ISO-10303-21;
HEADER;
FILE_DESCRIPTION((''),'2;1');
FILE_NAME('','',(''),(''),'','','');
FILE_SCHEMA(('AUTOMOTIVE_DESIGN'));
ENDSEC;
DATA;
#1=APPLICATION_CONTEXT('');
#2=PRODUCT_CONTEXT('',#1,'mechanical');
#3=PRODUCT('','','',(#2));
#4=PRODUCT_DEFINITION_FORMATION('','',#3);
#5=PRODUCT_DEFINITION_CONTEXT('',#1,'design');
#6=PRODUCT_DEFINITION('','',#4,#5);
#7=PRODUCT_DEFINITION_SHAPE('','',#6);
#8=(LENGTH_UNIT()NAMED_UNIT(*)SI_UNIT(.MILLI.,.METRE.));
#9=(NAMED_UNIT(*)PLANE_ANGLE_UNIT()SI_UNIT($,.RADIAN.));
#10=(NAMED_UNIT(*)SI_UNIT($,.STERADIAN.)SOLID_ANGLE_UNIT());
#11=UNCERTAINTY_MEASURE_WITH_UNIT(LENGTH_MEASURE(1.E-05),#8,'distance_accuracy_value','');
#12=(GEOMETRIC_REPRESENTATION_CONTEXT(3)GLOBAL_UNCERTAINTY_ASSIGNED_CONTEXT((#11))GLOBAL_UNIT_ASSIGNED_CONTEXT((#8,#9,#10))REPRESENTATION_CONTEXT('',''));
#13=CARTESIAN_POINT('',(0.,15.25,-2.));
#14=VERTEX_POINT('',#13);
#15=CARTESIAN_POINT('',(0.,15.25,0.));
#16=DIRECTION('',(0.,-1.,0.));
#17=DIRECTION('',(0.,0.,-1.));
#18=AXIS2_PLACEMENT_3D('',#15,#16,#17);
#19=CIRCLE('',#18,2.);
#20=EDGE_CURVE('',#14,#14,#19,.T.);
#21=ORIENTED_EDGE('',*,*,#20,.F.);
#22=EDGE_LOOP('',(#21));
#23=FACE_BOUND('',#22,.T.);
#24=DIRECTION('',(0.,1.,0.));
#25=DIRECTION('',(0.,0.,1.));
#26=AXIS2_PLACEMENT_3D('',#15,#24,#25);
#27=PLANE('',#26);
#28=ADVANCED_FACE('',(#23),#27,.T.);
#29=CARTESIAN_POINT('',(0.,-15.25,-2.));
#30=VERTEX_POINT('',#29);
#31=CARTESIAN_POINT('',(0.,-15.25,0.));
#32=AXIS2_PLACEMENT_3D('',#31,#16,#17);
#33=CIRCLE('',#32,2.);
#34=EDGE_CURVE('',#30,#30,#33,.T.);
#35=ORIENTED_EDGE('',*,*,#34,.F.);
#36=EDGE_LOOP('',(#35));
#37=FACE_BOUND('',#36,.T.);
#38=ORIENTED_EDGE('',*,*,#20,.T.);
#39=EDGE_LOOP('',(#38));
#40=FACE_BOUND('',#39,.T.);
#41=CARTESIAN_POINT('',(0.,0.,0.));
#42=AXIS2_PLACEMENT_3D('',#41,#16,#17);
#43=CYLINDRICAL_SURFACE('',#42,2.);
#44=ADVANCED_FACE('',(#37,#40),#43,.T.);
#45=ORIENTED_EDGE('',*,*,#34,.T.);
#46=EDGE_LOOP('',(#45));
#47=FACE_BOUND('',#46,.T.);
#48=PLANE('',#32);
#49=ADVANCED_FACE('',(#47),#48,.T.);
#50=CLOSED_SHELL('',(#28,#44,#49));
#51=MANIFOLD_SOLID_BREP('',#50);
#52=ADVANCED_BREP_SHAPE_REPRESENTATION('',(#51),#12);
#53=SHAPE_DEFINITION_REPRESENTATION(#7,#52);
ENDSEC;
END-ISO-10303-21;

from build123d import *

# Parameters (mm, degrees)
SKETCH1_W = 2
SKETCH1_H = 30.5


with BuildPart() as part:
    # Sketch1 → Revolve1 (revolve)
    with BuildSketch(Plane.XY):
        with Locations((1, 0)):
            Rectangle(SKETCH1_W, SKETCH1_H)
    revolve(axis=Axis((0, 0, 0), (0, 1, 0)))


solid = part.part
